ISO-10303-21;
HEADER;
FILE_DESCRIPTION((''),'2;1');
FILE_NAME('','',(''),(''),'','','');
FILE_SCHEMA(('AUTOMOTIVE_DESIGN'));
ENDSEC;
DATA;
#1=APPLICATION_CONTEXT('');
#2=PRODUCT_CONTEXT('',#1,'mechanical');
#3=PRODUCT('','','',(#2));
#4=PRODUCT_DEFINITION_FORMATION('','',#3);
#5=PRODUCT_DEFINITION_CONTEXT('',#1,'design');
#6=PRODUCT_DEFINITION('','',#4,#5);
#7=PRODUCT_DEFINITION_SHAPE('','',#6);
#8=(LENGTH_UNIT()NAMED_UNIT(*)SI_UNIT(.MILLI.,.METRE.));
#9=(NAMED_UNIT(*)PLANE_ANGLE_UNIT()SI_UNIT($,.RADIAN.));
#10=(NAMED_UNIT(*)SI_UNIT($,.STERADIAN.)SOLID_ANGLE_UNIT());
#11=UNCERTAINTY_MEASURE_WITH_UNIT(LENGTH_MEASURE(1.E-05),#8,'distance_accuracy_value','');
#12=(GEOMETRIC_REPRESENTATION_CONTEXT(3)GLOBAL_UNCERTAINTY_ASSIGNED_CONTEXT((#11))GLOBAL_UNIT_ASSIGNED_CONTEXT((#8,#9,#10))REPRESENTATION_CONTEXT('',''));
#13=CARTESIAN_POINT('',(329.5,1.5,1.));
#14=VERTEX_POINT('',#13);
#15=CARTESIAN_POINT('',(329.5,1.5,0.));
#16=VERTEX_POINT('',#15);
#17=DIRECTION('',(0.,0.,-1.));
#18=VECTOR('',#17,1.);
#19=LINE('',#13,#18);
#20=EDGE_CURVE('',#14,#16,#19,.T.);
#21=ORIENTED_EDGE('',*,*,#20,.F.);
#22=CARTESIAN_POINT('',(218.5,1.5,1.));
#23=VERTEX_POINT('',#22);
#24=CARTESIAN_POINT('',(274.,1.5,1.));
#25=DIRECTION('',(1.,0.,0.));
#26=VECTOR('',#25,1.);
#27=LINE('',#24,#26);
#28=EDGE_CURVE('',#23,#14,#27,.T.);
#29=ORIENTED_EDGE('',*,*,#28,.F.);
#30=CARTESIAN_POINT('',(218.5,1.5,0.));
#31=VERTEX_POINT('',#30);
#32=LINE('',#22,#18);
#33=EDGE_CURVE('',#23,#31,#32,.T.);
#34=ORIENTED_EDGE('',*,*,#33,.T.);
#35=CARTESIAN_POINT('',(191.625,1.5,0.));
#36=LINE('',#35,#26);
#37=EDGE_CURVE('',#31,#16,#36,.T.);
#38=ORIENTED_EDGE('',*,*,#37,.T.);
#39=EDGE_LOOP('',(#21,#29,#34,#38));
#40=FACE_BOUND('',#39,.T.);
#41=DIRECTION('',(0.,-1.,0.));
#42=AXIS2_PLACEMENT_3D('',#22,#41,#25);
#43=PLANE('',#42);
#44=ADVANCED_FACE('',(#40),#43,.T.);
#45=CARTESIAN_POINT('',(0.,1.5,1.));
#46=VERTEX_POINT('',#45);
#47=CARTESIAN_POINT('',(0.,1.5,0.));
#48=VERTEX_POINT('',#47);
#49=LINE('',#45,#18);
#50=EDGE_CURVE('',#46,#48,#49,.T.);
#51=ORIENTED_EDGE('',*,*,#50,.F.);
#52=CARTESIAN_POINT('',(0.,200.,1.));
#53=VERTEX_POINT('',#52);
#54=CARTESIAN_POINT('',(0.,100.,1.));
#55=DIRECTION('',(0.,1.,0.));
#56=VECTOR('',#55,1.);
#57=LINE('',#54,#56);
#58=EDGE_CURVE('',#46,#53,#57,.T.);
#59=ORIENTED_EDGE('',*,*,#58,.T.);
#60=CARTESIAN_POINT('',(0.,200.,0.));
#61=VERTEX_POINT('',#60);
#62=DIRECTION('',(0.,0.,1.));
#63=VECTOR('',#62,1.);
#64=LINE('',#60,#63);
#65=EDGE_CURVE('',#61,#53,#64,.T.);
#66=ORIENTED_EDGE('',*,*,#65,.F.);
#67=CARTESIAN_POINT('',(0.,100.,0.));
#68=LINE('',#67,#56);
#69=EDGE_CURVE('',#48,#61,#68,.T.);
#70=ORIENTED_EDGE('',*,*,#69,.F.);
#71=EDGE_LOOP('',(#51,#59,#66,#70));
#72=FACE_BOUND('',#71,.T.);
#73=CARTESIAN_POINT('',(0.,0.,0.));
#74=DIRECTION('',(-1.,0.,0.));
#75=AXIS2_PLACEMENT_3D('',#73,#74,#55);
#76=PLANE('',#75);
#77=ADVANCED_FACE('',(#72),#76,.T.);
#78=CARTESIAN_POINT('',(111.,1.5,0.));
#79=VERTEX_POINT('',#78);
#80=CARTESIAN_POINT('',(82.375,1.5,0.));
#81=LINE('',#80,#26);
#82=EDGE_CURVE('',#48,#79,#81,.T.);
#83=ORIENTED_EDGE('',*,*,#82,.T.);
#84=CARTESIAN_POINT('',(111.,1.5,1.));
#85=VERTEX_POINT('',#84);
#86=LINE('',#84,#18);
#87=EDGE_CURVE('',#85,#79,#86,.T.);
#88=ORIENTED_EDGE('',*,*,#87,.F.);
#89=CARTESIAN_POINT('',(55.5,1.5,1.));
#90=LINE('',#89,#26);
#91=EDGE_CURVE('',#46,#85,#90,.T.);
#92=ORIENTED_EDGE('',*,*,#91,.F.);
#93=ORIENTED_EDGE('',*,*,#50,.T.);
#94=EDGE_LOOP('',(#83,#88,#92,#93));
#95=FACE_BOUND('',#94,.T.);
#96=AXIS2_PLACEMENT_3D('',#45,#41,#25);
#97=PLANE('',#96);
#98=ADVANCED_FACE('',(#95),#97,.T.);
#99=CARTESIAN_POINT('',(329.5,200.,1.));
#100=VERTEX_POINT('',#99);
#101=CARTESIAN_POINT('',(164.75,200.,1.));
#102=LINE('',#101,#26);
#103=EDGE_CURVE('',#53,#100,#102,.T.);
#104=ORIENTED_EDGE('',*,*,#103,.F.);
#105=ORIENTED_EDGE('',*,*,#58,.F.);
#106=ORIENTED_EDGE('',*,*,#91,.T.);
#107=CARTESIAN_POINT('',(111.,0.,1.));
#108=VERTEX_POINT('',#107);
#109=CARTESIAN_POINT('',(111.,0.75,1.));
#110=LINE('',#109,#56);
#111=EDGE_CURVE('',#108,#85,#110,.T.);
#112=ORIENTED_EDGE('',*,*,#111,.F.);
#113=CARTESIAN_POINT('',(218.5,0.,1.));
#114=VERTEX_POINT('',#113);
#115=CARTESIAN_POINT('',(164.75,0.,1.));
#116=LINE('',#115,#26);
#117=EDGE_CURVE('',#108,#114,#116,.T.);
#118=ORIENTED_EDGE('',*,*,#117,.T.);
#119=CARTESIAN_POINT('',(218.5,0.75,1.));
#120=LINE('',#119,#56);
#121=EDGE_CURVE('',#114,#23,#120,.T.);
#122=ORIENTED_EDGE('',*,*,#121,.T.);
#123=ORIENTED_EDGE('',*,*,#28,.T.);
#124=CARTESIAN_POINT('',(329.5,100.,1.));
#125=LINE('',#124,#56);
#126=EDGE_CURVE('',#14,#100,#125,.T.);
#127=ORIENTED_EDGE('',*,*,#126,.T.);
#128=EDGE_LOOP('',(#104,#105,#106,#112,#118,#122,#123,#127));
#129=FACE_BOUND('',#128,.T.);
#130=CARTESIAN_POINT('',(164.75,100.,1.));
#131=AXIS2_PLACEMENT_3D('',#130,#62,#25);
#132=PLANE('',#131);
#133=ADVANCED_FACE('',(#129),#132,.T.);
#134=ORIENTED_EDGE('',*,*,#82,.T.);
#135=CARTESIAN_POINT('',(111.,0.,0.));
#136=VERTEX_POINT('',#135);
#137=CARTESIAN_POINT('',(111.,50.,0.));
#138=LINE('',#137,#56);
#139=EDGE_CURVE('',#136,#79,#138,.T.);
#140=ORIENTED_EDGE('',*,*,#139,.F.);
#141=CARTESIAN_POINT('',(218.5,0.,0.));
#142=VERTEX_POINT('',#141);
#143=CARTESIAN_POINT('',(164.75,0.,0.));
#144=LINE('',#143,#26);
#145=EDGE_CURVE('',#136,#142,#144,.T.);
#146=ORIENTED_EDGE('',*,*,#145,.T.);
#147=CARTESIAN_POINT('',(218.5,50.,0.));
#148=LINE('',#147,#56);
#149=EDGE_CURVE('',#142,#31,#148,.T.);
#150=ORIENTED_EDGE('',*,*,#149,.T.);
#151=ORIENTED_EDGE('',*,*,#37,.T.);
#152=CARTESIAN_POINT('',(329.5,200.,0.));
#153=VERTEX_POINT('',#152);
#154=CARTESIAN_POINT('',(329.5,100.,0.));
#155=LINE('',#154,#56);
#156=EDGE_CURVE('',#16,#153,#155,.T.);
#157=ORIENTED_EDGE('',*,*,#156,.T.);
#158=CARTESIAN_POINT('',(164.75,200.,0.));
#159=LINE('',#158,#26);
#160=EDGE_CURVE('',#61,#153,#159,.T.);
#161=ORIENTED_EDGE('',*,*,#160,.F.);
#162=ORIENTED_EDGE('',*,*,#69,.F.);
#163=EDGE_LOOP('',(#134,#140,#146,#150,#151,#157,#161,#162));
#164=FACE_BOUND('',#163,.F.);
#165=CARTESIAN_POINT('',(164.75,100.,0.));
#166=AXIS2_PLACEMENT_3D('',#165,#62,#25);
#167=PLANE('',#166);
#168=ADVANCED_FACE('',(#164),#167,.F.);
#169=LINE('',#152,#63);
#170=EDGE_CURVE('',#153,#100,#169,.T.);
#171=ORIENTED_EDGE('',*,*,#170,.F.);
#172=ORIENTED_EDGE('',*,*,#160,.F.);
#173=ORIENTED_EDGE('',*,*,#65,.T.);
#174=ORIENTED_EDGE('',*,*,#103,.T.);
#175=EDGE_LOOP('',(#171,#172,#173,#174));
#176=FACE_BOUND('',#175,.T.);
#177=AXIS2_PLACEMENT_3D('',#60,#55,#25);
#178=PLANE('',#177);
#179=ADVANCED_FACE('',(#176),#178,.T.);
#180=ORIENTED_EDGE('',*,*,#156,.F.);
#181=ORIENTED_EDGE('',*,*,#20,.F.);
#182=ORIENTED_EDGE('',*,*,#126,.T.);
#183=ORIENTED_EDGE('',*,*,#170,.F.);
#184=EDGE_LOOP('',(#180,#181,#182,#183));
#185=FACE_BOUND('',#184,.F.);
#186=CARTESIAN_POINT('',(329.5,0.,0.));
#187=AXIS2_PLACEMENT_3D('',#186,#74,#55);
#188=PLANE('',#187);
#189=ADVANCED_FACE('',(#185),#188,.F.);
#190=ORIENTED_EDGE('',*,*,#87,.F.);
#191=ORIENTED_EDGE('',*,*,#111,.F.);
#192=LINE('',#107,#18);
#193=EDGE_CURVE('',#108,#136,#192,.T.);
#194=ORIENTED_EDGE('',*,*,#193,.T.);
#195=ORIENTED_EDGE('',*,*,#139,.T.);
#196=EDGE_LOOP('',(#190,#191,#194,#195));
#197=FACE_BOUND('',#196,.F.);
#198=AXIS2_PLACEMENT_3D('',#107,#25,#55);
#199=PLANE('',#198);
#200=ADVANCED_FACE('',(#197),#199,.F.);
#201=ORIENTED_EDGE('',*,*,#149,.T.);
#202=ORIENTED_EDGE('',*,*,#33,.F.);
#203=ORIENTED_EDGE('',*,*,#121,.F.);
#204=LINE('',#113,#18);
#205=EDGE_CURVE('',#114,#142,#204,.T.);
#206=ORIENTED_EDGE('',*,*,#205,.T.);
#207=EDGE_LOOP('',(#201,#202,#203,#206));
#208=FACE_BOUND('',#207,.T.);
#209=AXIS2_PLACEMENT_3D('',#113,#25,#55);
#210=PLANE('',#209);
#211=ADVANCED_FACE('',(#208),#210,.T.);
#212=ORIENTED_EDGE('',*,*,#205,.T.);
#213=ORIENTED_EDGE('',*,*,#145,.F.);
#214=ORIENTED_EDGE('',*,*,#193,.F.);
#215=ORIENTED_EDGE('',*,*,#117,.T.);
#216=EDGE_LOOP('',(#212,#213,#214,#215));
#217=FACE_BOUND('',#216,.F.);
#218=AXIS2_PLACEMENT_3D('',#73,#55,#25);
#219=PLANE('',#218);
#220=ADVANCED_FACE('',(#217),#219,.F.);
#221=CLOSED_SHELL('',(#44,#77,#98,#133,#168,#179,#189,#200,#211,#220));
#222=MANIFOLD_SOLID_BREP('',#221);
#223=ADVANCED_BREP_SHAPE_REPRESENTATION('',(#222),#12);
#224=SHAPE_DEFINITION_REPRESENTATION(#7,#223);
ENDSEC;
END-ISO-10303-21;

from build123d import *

# Parameters (mm, degrees)
SKETCH_W     = 329.5
SKETCH_H     = 200
PAD_DEPTH    = 1
SKETCH001_W  = 111
SKETCH001_H  = 1.5
POCKET_DEPTH = 1.001


with BuildPart() as part:
    # Sketch → Pad (new body)
    with BuildSketch(Plane.XY):
        with Locations((164.75, 100)):
            Rectangle(SKETCH_W, SKETCH_H)
    extrude(amount=PAD_DEPTH)

    # Sketch001 (on Face6 of Pad) → Pocket (cut, through all)
    with BuildSketch(Plane.XY.offset(1)):
        with Locations((55.5, 0.75)):
            Rectangle(SKETCH001_W, SKETCH001_H)
        with Locations((274, 0.75)):
            Rectangle(SKETCH001_W, SKETCH001_H)
    extrude(amount=-POCKET_DEPTH, mode=Mode.SUBTRACT)


solid = part.part
